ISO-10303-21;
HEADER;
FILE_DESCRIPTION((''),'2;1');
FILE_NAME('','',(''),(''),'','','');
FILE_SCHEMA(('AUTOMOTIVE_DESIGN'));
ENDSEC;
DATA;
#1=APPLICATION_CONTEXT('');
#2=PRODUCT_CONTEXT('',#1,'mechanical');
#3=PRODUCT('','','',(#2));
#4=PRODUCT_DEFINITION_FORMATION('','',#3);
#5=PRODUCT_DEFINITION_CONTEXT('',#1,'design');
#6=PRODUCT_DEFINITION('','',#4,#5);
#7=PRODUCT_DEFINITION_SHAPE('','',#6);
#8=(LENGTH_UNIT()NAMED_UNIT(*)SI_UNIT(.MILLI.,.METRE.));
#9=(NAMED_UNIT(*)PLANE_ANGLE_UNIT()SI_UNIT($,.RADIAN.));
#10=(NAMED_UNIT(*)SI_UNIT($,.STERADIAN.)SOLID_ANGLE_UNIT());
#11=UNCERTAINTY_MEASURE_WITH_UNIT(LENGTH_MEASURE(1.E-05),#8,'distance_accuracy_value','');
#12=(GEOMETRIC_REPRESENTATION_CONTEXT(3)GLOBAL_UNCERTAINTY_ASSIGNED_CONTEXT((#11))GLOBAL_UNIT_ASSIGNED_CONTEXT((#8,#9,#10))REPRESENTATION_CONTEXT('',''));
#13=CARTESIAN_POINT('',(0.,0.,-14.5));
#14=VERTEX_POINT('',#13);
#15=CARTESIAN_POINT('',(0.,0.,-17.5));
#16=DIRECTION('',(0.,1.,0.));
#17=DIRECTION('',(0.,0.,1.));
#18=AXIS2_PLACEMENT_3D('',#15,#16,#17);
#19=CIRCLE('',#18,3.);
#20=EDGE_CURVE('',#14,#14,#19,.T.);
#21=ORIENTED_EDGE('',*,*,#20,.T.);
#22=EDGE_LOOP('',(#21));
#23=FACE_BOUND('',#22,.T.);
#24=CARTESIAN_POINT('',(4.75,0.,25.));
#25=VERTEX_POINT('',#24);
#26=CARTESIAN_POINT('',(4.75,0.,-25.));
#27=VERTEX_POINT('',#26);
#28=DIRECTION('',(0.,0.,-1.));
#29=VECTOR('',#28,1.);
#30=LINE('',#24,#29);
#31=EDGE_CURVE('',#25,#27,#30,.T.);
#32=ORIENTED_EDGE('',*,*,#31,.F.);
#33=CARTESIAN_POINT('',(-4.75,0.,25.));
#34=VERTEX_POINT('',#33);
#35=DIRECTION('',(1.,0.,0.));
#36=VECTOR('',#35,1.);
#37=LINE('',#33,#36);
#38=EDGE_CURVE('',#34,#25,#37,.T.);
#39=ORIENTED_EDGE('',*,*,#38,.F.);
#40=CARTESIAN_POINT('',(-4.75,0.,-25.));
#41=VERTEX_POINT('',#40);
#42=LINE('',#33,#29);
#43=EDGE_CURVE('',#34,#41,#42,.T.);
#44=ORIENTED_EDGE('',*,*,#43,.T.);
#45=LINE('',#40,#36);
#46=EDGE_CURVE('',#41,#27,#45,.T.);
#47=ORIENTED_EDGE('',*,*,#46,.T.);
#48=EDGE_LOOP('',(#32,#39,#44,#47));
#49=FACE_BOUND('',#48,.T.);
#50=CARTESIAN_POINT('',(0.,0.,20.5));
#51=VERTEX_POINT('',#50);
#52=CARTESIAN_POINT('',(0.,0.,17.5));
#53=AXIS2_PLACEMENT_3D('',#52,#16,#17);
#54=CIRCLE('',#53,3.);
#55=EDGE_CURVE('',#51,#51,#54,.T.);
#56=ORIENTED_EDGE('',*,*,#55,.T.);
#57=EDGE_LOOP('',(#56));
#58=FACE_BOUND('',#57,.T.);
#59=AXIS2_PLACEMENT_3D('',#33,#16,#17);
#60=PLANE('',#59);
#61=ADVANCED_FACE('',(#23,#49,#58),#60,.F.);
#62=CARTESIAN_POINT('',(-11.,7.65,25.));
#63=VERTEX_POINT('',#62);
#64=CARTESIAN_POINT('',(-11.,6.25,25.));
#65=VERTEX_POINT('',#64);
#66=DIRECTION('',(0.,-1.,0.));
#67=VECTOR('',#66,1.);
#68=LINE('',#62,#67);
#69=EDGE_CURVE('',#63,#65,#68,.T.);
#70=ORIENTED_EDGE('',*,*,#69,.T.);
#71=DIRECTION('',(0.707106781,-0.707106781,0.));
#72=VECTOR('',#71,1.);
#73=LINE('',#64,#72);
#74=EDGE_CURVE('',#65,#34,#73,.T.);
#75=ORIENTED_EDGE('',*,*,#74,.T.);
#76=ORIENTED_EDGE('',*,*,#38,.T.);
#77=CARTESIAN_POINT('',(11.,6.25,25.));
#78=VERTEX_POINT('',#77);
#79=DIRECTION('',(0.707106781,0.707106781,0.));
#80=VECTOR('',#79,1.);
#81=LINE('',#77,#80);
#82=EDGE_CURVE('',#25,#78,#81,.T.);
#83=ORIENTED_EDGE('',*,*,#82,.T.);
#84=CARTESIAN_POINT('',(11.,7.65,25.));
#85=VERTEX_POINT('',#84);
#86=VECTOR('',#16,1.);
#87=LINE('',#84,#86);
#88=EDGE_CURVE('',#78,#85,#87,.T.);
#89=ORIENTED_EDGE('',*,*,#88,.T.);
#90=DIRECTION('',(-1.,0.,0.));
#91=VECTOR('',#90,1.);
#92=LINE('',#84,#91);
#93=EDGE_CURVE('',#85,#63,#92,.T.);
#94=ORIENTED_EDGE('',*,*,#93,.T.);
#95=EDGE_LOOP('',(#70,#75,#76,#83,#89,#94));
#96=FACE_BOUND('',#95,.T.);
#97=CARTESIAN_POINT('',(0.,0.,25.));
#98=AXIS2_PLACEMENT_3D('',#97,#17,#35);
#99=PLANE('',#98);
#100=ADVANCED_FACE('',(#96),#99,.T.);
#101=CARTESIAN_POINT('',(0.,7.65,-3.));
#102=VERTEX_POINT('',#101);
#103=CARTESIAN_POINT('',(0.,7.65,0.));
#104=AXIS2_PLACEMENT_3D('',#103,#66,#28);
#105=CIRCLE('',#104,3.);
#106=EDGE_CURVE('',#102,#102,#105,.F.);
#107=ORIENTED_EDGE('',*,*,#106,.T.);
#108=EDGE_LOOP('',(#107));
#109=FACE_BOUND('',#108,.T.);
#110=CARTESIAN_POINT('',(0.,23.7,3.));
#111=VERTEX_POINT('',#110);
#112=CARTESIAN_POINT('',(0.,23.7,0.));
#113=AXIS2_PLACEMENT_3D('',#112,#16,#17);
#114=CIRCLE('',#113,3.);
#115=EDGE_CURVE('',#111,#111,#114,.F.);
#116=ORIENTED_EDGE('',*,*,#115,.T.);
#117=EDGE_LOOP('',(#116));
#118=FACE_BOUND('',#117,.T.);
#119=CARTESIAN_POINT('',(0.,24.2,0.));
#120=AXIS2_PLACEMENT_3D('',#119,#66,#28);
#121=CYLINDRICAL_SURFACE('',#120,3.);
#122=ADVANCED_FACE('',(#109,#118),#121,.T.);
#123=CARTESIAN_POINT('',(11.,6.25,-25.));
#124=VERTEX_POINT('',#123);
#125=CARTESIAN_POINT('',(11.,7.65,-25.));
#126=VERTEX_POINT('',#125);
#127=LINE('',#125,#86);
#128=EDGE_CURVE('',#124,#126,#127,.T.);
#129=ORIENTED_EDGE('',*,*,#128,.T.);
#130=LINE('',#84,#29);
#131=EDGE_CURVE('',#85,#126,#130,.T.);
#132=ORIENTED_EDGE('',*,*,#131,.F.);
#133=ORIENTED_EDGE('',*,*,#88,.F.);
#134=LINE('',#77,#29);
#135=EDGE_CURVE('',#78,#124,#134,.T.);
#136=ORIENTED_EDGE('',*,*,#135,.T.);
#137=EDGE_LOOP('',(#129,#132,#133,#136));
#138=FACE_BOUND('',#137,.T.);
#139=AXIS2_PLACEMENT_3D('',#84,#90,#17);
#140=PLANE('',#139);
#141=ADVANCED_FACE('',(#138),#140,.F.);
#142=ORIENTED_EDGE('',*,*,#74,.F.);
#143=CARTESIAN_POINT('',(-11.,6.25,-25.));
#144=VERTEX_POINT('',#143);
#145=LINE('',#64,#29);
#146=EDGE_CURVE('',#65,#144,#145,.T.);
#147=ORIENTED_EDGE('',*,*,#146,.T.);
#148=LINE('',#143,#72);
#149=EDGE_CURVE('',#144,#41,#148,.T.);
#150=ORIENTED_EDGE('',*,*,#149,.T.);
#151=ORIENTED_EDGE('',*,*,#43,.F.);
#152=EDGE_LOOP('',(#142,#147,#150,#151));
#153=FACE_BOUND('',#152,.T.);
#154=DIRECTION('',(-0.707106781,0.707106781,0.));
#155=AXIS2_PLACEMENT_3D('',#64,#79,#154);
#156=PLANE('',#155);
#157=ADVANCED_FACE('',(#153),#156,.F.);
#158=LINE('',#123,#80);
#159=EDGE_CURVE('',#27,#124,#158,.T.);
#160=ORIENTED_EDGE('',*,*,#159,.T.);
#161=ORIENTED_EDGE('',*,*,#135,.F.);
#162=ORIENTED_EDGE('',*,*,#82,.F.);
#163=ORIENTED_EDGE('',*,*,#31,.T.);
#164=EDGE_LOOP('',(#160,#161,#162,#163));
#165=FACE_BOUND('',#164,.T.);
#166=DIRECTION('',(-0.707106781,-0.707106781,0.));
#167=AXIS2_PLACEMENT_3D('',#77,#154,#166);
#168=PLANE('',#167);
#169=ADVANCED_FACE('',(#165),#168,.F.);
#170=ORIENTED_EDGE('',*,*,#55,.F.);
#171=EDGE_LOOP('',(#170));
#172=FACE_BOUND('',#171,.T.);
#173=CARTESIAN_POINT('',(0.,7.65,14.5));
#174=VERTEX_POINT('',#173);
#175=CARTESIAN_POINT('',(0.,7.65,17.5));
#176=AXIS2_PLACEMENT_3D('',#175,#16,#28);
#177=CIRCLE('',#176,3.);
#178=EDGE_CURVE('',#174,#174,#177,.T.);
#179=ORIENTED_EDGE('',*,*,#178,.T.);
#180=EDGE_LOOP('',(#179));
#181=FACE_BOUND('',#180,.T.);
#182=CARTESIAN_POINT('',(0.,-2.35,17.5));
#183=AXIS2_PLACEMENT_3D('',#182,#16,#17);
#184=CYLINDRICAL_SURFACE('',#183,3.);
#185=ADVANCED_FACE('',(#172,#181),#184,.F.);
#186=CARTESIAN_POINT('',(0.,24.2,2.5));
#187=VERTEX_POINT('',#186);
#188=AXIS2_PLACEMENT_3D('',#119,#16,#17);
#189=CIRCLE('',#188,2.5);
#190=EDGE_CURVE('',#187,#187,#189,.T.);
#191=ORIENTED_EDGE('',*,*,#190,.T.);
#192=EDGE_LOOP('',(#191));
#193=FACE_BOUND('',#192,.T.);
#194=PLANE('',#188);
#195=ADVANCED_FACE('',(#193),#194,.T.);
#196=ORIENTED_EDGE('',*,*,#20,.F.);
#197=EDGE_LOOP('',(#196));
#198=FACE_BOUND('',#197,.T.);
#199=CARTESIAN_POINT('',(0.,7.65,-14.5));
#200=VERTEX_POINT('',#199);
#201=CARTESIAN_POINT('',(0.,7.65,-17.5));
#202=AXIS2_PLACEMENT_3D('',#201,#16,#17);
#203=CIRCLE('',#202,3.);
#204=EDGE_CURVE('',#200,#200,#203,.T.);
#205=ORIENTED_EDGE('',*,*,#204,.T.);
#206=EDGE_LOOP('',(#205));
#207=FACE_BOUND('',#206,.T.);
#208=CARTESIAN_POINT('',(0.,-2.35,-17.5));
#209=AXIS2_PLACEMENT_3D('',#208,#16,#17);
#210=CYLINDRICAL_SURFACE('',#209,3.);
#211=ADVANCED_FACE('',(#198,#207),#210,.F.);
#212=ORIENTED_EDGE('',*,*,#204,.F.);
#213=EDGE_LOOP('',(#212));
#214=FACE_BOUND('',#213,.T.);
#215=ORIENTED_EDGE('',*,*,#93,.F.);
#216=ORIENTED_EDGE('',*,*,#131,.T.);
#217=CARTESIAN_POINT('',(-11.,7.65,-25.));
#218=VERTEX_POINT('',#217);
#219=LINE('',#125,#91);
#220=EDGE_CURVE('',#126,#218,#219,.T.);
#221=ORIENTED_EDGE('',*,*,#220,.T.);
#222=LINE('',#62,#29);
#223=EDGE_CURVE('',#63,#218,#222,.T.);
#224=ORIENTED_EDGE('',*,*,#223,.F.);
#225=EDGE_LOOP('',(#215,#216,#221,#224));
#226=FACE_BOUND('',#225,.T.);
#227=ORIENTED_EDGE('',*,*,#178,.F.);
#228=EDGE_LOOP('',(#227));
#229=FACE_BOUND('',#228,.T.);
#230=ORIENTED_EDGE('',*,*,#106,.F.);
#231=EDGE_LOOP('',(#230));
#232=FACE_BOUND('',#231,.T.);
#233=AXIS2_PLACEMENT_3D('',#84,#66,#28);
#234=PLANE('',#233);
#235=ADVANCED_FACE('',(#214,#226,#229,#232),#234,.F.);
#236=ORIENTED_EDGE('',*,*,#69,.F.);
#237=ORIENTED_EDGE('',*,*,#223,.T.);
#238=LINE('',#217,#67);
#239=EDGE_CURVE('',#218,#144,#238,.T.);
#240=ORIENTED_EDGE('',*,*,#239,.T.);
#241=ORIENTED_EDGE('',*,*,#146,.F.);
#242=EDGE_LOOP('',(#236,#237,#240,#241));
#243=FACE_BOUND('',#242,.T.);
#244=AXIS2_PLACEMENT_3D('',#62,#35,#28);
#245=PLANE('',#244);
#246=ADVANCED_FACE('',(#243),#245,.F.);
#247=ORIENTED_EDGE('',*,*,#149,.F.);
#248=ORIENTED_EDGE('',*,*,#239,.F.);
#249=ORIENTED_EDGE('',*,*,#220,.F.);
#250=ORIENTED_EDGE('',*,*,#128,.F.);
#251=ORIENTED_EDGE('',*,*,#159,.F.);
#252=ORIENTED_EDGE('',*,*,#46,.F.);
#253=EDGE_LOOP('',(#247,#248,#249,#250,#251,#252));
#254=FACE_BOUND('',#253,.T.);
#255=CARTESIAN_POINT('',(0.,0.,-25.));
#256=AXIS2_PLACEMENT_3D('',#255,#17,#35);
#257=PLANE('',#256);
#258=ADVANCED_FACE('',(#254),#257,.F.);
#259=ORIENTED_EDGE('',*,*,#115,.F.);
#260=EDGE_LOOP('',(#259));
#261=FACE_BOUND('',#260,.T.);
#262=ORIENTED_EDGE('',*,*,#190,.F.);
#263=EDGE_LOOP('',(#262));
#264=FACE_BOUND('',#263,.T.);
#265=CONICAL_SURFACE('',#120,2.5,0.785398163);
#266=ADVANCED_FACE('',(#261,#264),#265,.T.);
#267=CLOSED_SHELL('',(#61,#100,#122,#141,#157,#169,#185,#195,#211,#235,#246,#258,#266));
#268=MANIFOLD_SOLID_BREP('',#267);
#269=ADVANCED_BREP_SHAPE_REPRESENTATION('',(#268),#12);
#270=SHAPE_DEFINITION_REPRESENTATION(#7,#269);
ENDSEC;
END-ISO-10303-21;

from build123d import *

# Parameters (mm, degrees)
BOSS_EXTRUDE1_DEPTH = 25
SKETCH2_R           = 3
BOSS_EXTRUDE2_DEPTH = 16.55
SKETCH3_R           = 3
CUT_EXTRUDE1_DEPTH  = 10
CHAMFER1_SIZE       = 0.5


with BuildPart() as part:
    # Sketch1 → Boss-Extrude1 (new body, symmetric)
    with BuildSketch(Plane.XY):
        Polygon((11, 7.65), (-11, 7.65), (-11, 6.25), (-4.75, 0), (4.75, 0), (11, 6.25), align=None)
    extrude(amount=BOSS_EXTRUDE1_DEPTH, both=True)

    # Sketch2 → Boss-Extrude2 (add)
    with BuildSketch(Plane(origin=(0, 7.65, 0), x_dir=(1, 0, 0), z_dir=(0, 1, 0))):
        Circle(SKETCH2_R)
    extrude(amount=BOSS_EXTRUDE2_DEPTH)

    # Sketch3 → Cut-Extrude1 (cut)
    with BuildSketch(Plane(origin=(0, 7.65, 0), x_dir=(1, 0, 0), z_dir=(0, 1, 0))):
        with Locations((0, 17.5)):
            Circle(SKETCH3_R)
        with Locations((0, -17.5)):
            Circle(SKETCH3_R)
    extrude(amount=-CUT_EXTRUDE1_DEPTH, mode=Mode.SUBTRACT)

    # Chamfer1
    chamfer1_edges = [part.edges().sort_by_distance(p)[0] for p in [
        (-3, 24.2, 0),
    ]]
    chamfer(chamfer1_edges, length=CHAMFER1_SIZE)


solid = part.part
